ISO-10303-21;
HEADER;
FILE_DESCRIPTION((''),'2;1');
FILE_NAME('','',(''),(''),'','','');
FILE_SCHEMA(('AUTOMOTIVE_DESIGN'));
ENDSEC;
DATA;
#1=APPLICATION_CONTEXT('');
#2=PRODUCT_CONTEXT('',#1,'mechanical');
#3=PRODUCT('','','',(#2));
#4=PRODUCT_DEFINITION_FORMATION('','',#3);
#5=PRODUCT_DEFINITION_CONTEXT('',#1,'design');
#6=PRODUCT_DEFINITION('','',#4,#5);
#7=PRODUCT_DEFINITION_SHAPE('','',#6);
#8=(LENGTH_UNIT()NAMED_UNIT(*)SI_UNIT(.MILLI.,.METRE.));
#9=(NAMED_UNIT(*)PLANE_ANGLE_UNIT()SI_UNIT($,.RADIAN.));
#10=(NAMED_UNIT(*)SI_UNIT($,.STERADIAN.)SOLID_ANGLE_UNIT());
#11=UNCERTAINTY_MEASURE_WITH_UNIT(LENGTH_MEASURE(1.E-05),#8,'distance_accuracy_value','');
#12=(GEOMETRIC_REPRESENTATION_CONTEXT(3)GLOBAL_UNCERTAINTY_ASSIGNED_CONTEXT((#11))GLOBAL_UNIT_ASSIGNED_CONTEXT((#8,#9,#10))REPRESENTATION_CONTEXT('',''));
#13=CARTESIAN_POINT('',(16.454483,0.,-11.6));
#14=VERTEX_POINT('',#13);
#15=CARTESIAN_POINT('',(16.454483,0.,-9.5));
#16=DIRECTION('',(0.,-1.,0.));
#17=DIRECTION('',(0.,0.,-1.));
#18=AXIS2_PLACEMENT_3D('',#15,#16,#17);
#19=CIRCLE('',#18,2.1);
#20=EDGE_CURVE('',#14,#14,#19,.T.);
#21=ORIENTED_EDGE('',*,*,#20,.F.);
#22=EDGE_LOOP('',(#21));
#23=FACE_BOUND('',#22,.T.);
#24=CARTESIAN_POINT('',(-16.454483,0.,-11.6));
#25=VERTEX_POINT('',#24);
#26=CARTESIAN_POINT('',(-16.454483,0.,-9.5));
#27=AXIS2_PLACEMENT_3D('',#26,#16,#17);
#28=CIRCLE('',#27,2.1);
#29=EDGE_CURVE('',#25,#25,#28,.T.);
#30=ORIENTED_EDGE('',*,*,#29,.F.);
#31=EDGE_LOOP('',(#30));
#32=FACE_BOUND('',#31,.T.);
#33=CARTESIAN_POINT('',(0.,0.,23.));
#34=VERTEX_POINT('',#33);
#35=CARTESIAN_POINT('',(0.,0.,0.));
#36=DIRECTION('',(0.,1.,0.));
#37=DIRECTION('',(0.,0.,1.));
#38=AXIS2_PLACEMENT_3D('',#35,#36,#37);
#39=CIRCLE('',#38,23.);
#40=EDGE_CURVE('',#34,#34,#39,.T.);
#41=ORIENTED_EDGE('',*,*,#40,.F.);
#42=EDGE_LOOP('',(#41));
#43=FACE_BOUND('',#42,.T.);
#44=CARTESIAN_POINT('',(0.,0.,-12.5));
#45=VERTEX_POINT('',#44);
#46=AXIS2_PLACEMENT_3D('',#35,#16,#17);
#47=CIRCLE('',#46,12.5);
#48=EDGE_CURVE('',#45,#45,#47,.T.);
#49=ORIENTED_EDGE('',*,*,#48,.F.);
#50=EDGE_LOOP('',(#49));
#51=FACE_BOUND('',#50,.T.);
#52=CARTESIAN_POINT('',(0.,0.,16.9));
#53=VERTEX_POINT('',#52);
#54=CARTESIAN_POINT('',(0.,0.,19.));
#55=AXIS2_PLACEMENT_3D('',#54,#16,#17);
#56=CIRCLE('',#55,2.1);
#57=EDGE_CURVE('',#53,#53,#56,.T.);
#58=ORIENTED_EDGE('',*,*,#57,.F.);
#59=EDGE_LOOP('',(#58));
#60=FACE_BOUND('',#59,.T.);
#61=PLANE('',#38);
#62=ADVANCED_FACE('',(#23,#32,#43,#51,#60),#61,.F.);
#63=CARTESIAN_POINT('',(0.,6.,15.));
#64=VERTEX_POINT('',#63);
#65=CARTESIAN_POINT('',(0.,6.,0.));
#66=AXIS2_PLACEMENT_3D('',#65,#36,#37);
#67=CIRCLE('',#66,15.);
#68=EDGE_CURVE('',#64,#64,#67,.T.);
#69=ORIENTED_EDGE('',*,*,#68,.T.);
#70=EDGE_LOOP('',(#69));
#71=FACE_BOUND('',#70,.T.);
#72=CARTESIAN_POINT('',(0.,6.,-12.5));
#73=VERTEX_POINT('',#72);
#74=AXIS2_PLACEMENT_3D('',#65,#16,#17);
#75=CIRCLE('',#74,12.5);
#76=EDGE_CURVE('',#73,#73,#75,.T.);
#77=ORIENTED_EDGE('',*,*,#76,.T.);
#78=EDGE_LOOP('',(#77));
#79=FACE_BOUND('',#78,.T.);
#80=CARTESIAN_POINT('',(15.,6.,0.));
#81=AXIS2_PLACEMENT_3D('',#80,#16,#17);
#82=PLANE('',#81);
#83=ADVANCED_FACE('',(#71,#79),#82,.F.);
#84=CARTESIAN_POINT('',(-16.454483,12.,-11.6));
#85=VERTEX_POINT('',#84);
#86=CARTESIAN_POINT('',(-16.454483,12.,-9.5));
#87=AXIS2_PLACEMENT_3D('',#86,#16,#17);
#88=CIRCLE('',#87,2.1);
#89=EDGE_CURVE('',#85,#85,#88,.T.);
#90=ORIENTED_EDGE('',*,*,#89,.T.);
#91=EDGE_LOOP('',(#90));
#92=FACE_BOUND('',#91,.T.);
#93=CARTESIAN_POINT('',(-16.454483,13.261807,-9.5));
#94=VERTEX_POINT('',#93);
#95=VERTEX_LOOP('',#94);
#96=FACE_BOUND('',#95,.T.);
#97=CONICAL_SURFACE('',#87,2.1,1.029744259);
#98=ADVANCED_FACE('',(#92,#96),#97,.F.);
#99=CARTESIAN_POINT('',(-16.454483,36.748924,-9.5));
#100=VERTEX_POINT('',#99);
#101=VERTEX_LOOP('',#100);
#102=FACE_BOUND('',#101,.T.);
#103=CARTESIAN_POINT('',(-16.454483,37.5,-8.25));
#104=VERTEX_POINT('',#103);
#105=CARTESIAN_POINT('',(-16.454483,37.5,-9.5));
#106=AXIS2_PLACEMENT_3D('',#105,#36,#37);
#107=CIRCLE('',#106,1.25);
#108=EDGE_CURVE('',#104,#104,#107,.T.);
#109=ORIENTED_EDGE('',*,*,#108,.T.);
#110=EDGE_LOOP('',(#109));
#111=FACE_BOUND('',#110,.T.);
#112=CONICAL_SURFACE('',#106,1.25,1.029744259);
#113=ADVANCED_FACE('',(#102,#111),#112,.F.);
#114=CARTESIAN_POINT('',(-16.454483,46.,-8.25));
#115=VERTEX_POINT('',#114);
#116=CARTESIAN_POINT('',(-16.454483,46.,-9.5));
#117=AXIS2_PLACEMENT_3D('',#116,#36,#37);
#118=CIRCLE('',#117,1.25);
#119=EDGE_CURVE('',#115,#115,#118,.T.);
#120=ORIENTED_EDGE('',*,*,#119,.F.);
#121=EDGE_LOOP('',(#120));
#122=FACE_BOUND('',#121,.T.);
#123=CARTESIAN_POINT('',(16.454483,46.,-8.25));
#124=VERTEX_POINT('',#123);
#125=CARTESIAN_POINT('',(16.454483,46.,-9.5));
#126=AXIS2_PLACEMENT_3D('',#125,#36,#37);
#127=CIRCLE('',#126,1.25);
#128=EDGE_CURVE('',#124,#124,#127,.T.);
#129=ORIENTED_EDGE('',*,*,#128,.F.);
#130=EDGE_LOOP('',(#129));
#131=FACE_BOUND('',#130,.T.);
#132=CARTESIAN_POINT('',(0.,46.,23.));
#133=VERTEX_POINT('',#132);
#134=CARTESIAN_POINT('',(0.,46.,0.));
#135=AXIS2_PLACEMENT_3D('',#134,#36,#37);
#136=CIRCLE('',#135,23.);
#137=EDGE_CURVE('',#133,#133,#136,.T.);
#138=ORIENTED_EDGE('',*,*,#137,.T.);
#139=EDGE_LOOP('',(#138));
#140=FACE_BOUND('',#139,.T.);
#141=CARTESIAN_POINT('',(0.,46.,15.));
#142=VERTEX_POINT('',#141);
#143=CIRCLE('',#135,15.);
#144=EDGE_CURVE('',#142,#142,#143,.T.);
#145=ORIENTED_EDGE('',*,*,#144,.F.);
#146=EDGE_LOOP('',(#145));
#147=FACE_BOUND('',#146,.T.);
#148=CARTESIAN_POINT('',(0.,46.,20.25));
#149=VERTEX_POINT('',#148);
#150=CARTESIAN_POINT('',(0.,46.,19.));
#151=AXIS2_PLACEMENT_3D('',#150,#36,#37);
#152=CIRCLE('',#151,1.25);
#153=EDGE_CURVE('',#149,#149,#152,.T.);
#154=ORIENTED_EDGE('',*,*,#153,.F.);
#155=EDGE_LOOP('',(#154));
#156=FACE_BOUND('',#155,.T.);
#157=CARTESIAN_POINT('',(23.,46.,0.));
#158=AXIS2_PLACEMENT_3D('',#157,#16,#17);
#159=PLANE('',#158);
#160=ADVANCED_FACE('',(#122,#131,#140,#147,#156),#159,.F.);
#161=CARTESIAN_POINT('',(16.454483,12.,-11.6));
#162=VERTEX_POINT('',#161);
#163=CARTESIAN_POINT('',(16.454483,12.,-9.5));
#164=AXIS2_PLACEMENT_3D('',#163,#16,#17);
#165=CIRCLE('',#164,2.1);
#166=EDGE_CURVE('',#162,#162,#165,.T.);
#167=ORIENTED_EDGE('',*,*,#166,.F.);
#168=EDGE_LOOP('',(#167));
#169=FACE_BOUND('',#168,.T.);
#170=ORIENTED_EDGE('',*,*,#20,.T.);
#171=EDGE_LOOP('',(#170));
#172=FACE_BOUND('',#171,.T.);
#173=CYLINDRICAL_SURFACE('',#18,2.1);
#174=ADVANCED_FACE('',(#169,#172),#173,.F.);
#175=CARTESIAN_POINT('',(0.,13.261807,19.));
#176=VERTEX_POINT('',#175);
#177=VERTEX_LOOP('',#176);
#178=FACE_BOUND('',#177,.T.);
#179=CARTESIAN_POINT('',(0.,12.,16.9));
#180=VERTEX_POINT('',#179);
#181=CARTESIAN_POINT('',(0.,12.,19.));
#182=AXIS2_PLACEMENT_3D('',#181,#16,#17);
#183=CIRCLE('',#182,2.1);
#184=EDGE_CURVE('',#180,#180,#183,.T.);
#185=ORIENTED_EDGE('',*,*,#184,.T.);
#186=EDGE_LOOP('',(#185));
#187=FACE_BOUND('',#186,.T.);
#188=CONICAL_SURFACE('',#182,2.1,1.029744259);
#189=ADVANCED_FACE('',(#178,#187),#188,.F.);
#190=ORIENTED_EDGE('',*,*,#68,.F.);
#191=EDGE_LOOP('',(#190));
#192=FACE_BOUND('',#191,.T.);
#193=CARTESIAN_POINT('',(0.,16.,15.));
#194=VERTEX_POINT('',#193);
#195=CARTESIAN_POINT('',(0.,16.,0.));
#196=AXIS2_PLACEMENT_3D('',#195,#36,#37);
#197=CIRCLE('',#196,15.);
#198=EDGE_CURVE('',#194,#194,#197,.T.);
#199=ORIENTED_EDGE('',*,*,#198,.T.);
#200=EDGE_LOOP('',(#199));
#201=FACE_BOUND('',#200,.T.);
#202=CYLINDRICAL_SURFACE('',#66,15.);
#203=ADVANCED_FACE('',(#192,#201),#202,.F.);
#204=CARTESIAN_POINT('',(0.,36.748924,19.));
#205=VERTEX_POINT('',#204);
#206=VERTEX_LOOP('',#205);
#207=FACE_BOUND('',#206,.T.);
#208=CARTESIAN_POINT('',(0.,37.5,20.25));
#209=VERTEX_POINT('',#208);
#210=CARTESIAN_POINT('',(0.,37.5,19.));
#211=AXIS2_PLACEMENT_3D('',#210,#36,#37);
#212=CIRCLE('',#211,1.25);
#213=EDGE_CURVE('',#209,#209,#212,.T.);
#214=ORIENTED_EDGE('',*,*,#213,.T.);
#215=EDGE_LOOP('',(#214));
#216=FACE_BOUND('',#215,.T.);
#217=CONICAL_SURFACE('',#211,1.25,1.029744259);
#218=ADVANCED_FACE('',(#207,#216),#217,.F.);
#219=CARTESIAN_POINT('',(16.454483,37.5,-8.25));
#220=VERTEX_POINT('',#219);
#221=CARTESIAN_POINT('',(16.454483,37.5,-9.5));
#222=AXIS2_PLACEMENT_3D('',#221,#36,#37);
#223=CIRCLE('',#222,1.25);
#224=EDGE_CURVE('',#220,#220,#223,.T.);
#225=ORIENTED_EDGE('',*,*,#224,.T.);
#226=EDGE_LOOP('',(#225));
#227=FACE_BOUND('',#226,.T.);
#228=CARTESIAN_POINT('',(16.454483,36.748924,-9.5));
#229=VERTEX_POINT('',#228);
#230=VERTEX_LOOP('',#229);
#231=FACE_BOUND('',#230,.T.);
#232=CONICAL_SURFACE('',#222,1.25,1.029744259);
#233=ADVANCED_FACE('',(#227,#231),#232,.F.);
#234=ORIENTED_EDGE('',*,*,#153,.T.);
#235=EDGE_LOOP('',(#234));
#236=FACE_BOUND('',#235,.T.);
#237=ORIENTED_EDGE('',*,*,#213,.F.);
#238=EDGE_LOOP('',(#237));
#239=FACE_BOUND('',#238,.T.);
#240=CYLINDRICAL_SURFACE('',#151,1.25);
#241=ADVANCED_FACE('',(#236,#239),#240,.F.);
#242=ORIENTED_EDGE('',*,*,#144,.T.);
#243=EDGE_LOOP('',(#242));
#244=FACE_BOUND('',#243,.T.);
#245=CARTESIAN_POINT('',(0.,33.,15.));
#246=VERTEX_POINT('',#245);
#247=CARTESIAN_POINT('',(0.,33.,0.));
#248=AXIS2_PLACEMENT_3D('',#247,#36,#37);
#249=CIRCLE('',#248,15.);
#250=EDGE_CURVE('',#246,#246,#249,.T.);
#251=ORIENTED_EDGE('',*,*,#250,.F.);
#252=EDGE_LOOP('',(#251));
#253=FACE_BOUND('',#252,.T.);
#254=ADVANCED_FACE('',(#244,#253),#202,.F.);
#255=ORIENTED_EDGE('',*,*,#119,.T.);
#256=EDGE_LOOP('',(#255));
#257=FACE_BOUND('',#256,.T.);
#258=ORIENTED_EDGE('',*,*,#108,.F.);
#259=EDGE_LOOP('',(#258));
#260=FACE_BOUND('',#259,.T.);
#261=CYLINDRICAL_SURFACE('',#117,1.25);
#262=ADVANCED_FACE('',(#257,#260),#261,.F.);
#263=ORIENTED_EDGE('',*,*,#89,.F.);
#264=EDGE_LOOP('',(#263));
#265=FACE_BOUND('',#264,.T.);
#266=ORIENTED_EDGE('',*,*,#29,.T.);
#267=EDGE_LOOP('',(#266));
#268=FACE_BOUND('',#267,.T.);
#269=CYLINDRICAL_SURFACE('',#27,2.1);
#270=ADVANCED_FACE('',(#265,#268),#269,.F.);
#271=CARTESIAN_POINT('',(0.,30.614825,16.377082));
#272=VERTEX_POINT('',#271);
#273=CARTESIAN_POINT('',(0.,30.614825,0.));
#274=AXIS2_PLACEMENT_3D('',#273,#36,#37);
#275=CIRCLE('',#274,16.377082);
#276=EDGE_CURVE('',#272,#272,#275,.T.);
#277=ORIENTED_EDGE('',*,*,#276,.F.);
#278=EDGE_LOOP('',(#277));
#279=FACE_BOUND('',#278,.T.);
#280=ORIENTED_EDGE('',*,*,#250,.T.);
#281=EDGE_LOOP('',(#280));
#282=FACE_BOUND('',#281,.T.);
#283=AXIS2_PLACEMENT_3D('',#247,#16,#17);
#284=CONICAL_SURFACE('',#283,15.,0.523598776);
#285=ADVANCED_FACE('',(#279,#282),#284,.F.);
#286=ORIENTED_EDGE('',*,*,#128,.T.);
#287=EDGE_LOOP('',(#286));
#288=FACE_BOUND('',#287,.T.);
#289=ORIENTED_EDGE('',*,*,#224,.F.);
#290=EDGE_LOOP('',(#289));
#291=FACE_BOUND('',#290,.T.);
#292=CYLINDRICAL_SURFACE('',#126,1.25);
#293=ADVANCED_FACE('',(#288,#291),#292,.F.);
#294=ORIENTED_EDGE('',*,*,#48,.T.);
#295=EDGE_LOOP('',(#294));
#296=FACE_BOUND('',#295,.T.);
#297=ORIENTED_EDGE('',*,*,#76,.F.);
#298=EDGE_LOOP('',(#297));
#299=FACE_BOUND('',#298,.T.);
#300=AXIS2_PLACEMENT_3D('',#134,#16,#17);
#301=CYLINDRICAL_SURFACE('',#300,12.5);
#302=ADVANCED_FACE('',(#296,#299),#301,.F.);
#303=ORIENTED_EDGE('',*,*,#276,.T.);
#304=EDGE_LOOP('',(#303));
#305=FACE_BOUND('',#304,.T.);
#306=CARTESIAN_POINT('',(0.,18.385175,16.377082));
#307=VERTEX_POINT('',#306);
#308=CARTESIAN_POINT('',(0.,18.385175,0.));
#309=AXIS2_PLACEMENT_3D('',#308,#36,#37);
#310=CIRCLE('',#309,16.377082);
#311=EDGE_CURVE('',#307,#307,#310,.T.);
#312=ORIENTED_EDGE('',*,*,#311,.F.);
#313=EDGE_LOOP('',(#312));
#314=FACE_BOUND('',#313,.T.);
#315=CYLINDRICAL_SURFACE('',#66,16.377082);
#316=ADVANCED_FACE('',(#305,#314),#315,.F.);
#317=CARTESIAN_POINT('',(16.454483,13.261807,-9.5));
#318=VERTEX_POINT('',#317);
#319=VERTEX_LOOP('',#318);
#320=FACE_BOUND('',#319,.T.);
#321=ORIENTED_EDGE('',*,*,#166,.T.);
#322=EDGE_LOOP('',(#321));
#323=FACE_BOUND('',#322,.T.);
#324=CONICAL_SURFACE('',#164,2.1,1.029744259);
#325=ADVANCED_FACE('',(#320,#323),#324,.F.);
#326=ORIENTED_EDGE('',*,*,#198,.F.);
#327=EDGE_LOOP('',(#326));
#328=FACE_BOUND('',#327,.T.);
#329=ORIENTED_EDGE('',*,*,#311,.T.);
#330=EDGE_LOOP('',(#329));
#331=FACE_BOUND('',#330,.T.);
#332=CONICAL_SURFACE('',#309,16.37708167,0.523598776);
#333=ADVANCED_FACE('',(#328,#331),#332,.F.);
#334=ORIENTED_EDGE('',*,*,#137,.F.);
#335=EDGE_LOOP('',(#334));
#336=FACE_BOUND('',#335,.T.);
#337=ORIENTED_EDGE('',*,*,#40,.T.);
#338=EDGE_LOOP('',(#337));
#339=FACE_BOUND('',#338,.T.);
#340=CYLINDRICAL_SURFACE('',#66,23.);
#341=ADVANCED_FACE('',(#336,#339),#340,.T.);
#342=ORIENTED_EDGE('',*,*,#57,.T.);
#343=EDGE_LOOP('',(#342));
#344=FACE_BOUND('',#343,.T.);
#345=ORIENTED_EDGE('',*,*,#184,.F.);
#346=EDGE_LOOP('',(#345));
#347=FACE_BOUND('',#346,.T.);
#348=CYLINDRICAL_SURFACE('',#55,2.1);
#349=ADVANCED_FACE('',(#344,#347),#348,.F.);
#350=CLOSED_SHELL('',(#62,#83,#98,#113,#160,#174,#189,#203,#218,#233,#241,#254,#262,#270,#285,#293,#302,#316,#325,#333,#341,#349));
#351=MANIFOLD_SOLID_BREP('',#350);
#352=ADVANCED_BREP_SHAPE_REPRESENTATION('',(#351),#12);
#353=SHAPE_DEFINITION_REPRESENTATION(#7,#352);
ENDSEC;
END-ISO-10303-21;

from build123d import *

# Parameters (mm, degrees)
ESQUISSE2_R                  = 12.5
ENL_V_MAT_EXTRU_1_DEPTH      = 47
R_P_TITION_CIRCULAIRE1_COUNT = 3
R_P_TITION_CIRCULAIRE2_COUNT = 3


with BuildPart() as part:
    # Esquisse1 → Révolution1 (revolve)
    with BuildSketch(Plane.XY, mode=Mode.PRIVATE) as r_volution1_sk:
        Polygon((0, 0), (23, 0), (23, 46), (15, 46), (15, 33), (16.37708167, 30.614824582), (16.37708167, 18.385175418), (15, 16), (15, 6), (0, 6), align=None)
    revolve(r_volution1_sk.sketch.rotate(Axis((0, 6, 0), (0, -1, 0)), 90), axis=Axis((0, 6, 0), (0, -1, 0)))  # turned: the seam where the file's is

    # Esquisse2 → Enlèv. mat.-Extru.1 (cut, through all)
    with BuildSketch(Plane.XZ):
        with Locations(Location((0, 0, 0), (0, 0, 270))):  # turned: the seam where the file's is
            Circle(ESQUISSE2_R)
    extrude(amount=-ENL_V_MAT_EXTRU_1_DEPTH, mode=Mode.SUBTRACT)

    # Esquisse3 → Trou taraudé M51 (revolve, cut)
    with BuildSketch(Plane(origin=(0, 0, 19), x_dir=(0, 0, -1), z_dir=(1, 0, 0))):
        Polygon((0, 0), (0, 13.2618073), (2.1, 12), (2.1, 0), align=None)
    trou_taraud_m51 = revolve(axis=Axis((0, -6.35, 19), (0, 1, 0)), mode=Mode.SUBTRACT)

    # Répétition circulaire1: Trou taraudé M51 ×3 about axis
    r_p_tition_circulaire1_axis = Axis((0, 0, 0), (0, 1, 0))
    for i in range(1, R_P_TITION_CIRCULAIRE1_COUNT):
        add(trou_taraud_m51.rotate(r_p_tition_circulaire1_axis, i * 360 / R_P_TITION_CIRCULAIRE1_COUNT), mode=Mode.SUBTRACT)

    # Esquisse7 → Trou taraudé M31 (revolve, cut)
    with BuildSketch(Plane(origin=(0, 46, 19), x_dir=(0, 0, 1), z_dir=(1, 0, 0))):
        Polygon((0, 0), (0, 9.251075774), (1.25, 8.5), (1.25, 0), align=None)
    trou_taraud_m31 = revolve(axis=Axis((0, 52.35, 19), (0, -1, 0)), mode=Mode.SUBTRACT)

    # Répétition circulaire2: Trou taraudé M31 ×3 about axis
    r_p_tition_circulaire2_axis = Axis((0, 0, 0), (0, 1, 0))
    for i in range(1, R_P_TITION_CIRCULAIRE2_COUNT):
        add(trou_taraud_m31.rotate(r_p_tition_circulaire2_axis, i * 360 / R_P_TITION_CIRCULAIRE2_COUNT), mode=Mode.SUBTRACT)


solid = part.part
